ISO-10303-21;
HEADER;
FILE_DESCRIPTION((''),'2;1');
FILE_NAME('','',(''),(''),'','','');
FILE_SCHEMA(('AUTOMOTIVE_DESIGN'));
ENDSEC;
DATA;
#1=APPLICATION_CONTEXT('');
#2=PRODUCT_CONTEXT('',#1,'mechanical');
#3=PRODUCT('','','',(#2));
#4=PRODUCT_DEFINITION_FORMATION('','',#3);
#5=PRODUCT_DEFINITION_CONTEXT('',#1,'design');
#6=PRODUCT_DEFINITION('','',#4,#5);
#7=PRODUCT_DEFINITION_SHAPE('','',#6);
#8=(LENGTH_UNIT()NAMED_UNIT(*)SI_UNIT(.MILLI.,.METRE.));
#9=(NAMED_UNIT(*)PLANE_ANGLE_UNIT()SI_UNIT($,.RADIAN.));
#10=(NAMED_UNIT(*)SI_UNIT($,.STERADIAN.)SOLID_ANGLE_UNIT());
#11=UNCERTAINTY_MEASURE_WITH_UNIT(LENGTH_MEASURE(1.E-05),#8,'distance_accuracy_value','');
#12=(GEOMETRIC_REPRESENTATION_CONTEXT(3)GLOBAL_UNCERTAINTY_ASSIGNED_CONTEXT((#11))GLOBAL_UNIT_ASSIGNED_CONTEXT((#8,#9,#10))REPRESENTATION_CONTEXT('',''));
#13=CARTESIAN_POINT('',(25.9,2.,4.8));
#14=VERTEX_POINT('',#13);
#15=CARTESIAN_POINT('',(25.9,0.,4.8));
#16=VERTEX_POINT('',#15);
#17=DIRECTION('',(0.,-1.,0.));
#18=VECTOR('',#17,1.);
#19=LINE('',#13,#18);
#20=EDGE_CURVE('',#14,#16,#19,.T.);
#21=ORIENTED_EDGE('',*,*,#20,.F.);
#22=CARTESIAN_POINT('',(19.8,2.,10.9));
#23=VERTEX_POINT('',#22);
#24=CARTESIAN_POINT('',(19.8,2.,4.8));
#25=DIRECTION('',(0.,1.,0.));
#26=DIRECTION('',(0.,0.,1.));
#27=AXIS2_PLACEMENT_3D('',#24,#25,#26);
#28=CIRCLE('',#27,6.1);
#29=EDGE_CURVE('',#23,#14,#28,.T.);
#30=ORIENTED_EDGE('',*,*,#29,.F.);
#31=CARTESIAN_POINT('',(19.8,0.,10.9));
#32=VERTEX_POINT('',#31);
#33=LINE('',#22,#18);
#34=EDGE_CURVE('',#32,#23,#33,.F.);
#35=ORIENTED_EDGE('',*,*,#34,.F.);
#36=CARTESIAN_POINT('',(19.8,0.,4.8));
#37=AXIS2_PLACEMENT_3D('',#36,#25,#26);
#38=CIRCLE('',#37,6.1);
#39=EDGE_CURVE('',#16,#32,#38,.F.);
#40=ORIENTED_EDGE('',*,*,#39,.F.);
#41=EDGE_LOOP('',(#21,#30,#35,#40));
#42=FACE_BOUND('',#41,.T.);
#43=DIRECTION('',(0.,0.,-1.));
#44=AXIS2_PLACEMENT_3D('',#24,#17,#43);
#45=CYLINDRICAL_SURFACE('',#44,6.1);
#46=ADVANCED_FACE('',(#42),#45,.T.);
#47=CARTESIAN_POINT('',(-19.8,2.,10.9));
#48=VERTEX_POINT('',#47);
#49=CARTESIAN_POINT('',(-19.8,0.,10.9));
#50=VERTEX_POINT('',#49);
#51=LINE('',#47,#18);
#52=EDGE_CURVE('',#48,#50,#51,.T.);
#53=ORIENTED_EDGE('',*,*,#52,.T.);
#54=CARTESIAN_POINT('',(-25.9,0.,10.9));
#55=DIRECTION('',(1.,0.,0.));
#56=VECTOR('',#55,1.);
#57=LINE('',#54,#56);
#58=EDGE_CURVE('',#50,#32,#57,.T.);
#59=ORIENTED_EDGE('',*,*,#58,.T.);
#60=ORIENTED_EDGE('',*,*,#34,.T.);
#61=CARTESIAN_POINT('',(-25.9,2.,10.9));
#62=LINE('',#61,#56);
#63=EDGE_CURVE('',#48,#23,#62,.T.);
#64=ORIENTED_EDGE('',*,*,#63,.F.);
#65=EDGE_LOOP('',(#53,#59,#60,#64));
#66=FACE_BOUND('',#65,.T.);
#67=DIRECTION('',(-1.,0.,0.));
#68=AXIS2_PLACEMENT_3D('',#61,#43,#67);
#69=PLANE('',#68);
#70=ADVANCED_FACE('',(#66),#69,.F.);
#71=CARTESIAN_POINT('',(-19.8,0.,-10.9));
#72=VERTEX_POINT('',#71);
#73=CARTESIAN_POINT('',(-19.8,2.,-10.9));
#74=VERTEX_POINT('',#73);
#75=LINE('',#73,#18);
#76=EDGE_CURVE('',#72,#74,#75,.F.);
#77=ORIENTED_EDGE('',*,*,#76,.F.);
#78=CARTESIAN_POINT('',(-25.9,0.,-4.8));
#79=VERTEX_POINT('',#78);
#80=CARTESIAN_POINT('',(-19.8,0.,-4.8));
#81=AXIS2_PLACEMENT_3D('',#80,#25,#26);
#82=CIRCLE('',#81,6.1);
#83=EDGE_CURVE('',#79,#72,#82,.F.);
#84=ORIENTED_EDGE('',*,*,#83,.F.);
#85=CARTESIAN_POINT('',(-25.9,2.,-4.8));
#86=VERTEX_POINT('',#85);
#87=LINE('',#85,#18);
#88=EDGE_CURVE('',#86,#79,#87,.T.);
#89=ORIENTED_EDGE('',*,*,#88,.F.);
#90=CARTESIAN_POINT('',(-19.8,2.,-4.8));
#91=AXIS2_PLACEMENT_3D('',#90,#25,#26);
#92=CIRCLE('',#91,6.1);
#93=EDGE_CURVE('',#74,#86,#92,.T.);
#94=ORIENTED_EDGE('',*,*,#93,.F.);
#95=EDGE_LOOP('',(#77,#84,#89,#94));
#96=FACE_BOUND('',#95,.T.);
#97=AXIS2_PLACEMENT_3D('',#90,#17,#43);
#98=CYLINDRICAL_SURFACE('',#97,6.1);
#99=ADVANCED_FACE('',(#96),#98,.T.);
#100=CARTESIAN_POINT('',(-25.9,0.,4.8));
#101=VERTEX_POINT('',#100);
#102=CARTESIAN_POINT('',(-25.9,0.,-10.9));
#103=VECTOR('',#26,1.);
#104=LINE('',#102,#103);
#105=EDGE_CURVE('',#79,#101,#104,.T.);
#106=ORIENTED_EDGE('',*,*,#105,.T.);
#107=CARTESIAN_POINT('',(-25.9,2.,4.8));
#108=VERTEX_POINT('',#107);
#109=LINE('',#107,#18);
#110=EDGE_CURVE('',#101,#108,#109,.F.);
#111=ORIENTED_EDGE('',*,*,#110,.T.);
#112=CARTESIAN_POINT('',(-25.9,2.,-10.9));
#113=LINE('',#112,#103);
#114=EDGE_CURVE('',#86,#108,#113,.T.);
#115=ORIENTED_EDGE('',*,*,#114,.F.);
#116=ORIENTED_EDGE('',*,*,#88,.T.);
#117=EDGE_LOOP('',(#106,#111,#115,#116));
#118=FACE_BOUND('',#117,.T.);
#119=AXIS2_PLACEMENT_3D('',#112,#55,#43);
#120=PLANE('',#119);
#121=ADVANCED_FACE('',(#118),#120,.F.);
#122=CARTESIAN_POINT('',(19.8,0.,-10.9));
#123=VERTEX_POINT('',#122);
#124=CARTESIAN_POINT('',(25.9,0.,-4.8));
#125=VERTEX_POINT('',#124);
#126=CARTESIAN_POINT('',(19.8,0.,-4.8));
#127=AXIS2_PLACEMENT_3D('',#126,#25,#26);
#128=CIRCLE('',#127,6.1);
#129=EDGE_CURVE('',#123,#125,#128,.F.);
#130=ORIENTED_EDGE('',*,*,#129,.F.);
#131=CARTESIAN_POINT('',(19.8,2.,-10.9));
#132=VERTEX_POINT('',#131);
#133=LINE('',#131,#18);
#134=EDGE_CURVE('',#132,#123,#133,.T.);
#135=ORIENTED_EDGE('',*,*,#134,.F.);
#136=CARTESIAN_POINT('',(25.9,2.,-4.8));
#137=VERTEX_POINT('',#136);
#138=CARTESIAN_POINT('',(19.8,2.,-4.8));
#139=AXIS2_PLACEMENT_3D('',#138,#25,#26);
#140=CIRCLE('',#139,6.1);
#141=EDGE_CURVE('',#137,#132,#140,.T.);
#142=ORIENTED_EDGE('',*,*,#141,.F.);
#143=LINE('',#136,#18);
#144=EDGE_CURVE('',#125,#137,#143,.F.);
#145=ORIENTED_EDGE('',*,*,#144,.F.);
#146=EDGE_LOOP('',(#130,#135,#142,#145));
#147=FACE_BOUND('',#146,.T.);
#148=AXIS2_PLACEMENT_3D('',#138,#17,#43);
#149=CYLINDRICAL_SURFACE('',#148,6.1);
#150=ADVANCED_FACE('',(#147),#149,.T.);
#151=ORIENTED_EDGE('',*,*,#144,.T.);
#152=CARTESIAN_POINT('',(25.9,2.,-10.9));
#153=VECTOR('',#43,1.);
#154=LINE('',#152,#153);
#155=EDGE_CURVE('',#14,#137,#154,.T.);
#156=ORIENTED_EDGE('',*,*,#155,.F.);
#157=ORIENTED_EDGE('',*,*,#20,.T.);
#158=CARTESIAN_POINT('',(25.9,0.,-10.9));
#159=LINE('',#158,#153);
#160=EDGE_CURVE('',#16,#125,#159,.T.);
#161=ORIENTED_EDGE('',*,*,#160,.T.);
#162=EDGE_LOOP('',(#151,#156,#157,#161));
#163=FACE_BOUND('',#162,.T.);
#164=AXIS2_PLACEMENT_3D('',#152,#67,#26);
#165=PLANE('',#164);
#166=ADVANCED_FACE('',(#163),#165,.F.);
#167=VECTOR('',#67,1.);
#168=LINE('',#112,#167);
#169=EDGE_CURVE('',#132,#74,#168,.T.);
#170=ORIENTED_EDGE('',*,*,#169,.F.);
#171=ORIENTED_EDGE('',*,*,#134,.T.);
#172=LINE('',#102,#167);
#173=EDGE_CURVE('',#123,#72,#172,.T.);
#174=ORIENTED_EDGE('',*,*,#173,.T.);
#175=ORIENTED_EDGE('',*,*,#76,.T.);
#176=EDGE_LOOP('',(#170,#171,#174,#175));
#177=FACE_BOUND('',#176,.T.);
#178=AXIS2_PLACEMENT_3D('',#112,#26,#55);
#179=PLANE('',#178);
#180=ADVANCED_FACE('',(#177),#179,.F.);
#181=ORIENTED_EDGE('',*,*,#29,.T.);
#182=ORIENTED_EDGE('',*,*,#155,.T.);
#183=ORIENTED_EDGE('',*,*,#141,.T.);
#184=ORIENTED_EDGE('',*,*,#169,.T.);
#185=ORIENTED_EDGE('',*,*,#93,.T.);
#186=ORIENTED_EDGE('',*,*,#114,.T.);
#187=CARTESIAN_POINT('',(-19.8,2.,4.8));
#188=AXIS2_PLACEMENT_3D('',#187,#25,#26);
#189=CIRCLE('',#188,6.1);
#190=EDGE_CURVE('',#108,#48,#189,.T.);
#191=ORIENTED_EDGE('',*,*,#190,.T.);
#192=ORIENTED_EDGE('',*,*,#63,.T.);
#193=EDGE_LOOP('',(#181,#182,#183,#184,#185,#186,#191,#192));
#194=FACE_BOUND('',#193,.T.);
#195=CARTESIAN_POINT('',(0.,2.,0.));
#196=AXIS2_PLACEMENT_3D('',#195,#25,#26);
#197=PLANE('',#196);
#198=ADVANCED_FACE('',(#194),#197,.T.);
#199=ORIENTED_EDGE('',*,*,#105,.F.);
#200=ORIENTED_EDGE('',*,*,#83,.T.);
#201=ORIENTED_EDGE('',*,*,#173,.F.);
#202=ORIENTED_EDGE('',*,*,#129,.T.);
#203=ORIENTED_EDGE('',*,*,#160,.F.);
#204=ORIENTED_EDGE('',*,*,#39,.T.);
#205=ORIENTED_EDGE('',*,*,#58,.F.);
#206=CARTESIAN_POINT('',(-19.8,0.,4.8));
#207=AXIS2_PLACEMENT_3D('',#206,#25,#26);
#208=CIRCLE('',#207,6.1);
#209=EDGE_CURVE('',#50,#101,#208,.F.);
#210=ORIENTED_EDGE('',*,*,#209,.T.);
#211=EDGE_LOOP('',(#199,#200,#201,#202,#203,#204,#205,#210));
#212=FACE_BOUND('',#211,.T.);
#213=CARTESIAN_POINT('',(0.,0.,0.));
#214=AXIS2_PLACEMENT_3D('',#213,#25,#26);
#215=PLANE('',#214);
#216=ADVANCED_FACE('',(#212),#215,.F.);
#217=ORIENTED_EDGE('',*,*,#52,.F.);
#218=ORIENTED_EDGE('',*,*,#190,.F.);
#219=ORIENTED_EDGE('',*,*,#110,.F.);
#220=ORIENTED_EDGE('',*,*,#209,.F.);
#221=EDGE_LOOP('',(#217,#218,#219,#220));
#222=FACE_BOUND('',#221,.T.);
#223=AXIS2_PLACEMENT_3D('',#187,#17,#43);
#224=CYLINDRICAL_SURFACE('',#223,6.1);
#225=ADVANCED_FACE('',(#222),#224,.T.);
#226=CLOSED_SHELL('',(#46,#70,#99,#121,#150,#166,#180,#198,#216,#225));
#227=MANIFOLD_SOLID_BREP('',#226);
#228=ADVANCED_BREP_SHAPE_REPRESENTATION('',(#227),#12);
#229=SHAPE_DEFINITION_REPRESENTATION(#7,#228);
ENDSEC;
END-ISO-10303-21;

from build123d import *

# Parameters (mm, degrees)
SKETCH_1_W      = 51.8
SKETCH_1_H      = 21.8
EXTRUDE_1_DEPTH = 2
FILLET_1_R      = 6.1


with BuildPart() as part:
    # 草图1 → 凸台-拉伸1 (new body)
    with BuildSketch(Plane(origin=(0, 0, 0), x_dir=(1, 0, 0), z_dir=(0, 1, 0))):
        Rectangle(SKETCH_1_W, SKETCH_1_H)
    extrude(amount=EXTRUDE_1_DEPTH)

    # 圆角1
    fillet_1_edges = [part.edges().sort_by_distance(p)[0] for p in [
        (25.9, 1, 10.9),
        (-25.9, 1, 10.9),
        (-25.9, 1, -10.9),
        (25.9, 1, -10.9),
    ]]
    fillet(fillet_1_edges, radius=FILLET_1_R)


solid = part.part
